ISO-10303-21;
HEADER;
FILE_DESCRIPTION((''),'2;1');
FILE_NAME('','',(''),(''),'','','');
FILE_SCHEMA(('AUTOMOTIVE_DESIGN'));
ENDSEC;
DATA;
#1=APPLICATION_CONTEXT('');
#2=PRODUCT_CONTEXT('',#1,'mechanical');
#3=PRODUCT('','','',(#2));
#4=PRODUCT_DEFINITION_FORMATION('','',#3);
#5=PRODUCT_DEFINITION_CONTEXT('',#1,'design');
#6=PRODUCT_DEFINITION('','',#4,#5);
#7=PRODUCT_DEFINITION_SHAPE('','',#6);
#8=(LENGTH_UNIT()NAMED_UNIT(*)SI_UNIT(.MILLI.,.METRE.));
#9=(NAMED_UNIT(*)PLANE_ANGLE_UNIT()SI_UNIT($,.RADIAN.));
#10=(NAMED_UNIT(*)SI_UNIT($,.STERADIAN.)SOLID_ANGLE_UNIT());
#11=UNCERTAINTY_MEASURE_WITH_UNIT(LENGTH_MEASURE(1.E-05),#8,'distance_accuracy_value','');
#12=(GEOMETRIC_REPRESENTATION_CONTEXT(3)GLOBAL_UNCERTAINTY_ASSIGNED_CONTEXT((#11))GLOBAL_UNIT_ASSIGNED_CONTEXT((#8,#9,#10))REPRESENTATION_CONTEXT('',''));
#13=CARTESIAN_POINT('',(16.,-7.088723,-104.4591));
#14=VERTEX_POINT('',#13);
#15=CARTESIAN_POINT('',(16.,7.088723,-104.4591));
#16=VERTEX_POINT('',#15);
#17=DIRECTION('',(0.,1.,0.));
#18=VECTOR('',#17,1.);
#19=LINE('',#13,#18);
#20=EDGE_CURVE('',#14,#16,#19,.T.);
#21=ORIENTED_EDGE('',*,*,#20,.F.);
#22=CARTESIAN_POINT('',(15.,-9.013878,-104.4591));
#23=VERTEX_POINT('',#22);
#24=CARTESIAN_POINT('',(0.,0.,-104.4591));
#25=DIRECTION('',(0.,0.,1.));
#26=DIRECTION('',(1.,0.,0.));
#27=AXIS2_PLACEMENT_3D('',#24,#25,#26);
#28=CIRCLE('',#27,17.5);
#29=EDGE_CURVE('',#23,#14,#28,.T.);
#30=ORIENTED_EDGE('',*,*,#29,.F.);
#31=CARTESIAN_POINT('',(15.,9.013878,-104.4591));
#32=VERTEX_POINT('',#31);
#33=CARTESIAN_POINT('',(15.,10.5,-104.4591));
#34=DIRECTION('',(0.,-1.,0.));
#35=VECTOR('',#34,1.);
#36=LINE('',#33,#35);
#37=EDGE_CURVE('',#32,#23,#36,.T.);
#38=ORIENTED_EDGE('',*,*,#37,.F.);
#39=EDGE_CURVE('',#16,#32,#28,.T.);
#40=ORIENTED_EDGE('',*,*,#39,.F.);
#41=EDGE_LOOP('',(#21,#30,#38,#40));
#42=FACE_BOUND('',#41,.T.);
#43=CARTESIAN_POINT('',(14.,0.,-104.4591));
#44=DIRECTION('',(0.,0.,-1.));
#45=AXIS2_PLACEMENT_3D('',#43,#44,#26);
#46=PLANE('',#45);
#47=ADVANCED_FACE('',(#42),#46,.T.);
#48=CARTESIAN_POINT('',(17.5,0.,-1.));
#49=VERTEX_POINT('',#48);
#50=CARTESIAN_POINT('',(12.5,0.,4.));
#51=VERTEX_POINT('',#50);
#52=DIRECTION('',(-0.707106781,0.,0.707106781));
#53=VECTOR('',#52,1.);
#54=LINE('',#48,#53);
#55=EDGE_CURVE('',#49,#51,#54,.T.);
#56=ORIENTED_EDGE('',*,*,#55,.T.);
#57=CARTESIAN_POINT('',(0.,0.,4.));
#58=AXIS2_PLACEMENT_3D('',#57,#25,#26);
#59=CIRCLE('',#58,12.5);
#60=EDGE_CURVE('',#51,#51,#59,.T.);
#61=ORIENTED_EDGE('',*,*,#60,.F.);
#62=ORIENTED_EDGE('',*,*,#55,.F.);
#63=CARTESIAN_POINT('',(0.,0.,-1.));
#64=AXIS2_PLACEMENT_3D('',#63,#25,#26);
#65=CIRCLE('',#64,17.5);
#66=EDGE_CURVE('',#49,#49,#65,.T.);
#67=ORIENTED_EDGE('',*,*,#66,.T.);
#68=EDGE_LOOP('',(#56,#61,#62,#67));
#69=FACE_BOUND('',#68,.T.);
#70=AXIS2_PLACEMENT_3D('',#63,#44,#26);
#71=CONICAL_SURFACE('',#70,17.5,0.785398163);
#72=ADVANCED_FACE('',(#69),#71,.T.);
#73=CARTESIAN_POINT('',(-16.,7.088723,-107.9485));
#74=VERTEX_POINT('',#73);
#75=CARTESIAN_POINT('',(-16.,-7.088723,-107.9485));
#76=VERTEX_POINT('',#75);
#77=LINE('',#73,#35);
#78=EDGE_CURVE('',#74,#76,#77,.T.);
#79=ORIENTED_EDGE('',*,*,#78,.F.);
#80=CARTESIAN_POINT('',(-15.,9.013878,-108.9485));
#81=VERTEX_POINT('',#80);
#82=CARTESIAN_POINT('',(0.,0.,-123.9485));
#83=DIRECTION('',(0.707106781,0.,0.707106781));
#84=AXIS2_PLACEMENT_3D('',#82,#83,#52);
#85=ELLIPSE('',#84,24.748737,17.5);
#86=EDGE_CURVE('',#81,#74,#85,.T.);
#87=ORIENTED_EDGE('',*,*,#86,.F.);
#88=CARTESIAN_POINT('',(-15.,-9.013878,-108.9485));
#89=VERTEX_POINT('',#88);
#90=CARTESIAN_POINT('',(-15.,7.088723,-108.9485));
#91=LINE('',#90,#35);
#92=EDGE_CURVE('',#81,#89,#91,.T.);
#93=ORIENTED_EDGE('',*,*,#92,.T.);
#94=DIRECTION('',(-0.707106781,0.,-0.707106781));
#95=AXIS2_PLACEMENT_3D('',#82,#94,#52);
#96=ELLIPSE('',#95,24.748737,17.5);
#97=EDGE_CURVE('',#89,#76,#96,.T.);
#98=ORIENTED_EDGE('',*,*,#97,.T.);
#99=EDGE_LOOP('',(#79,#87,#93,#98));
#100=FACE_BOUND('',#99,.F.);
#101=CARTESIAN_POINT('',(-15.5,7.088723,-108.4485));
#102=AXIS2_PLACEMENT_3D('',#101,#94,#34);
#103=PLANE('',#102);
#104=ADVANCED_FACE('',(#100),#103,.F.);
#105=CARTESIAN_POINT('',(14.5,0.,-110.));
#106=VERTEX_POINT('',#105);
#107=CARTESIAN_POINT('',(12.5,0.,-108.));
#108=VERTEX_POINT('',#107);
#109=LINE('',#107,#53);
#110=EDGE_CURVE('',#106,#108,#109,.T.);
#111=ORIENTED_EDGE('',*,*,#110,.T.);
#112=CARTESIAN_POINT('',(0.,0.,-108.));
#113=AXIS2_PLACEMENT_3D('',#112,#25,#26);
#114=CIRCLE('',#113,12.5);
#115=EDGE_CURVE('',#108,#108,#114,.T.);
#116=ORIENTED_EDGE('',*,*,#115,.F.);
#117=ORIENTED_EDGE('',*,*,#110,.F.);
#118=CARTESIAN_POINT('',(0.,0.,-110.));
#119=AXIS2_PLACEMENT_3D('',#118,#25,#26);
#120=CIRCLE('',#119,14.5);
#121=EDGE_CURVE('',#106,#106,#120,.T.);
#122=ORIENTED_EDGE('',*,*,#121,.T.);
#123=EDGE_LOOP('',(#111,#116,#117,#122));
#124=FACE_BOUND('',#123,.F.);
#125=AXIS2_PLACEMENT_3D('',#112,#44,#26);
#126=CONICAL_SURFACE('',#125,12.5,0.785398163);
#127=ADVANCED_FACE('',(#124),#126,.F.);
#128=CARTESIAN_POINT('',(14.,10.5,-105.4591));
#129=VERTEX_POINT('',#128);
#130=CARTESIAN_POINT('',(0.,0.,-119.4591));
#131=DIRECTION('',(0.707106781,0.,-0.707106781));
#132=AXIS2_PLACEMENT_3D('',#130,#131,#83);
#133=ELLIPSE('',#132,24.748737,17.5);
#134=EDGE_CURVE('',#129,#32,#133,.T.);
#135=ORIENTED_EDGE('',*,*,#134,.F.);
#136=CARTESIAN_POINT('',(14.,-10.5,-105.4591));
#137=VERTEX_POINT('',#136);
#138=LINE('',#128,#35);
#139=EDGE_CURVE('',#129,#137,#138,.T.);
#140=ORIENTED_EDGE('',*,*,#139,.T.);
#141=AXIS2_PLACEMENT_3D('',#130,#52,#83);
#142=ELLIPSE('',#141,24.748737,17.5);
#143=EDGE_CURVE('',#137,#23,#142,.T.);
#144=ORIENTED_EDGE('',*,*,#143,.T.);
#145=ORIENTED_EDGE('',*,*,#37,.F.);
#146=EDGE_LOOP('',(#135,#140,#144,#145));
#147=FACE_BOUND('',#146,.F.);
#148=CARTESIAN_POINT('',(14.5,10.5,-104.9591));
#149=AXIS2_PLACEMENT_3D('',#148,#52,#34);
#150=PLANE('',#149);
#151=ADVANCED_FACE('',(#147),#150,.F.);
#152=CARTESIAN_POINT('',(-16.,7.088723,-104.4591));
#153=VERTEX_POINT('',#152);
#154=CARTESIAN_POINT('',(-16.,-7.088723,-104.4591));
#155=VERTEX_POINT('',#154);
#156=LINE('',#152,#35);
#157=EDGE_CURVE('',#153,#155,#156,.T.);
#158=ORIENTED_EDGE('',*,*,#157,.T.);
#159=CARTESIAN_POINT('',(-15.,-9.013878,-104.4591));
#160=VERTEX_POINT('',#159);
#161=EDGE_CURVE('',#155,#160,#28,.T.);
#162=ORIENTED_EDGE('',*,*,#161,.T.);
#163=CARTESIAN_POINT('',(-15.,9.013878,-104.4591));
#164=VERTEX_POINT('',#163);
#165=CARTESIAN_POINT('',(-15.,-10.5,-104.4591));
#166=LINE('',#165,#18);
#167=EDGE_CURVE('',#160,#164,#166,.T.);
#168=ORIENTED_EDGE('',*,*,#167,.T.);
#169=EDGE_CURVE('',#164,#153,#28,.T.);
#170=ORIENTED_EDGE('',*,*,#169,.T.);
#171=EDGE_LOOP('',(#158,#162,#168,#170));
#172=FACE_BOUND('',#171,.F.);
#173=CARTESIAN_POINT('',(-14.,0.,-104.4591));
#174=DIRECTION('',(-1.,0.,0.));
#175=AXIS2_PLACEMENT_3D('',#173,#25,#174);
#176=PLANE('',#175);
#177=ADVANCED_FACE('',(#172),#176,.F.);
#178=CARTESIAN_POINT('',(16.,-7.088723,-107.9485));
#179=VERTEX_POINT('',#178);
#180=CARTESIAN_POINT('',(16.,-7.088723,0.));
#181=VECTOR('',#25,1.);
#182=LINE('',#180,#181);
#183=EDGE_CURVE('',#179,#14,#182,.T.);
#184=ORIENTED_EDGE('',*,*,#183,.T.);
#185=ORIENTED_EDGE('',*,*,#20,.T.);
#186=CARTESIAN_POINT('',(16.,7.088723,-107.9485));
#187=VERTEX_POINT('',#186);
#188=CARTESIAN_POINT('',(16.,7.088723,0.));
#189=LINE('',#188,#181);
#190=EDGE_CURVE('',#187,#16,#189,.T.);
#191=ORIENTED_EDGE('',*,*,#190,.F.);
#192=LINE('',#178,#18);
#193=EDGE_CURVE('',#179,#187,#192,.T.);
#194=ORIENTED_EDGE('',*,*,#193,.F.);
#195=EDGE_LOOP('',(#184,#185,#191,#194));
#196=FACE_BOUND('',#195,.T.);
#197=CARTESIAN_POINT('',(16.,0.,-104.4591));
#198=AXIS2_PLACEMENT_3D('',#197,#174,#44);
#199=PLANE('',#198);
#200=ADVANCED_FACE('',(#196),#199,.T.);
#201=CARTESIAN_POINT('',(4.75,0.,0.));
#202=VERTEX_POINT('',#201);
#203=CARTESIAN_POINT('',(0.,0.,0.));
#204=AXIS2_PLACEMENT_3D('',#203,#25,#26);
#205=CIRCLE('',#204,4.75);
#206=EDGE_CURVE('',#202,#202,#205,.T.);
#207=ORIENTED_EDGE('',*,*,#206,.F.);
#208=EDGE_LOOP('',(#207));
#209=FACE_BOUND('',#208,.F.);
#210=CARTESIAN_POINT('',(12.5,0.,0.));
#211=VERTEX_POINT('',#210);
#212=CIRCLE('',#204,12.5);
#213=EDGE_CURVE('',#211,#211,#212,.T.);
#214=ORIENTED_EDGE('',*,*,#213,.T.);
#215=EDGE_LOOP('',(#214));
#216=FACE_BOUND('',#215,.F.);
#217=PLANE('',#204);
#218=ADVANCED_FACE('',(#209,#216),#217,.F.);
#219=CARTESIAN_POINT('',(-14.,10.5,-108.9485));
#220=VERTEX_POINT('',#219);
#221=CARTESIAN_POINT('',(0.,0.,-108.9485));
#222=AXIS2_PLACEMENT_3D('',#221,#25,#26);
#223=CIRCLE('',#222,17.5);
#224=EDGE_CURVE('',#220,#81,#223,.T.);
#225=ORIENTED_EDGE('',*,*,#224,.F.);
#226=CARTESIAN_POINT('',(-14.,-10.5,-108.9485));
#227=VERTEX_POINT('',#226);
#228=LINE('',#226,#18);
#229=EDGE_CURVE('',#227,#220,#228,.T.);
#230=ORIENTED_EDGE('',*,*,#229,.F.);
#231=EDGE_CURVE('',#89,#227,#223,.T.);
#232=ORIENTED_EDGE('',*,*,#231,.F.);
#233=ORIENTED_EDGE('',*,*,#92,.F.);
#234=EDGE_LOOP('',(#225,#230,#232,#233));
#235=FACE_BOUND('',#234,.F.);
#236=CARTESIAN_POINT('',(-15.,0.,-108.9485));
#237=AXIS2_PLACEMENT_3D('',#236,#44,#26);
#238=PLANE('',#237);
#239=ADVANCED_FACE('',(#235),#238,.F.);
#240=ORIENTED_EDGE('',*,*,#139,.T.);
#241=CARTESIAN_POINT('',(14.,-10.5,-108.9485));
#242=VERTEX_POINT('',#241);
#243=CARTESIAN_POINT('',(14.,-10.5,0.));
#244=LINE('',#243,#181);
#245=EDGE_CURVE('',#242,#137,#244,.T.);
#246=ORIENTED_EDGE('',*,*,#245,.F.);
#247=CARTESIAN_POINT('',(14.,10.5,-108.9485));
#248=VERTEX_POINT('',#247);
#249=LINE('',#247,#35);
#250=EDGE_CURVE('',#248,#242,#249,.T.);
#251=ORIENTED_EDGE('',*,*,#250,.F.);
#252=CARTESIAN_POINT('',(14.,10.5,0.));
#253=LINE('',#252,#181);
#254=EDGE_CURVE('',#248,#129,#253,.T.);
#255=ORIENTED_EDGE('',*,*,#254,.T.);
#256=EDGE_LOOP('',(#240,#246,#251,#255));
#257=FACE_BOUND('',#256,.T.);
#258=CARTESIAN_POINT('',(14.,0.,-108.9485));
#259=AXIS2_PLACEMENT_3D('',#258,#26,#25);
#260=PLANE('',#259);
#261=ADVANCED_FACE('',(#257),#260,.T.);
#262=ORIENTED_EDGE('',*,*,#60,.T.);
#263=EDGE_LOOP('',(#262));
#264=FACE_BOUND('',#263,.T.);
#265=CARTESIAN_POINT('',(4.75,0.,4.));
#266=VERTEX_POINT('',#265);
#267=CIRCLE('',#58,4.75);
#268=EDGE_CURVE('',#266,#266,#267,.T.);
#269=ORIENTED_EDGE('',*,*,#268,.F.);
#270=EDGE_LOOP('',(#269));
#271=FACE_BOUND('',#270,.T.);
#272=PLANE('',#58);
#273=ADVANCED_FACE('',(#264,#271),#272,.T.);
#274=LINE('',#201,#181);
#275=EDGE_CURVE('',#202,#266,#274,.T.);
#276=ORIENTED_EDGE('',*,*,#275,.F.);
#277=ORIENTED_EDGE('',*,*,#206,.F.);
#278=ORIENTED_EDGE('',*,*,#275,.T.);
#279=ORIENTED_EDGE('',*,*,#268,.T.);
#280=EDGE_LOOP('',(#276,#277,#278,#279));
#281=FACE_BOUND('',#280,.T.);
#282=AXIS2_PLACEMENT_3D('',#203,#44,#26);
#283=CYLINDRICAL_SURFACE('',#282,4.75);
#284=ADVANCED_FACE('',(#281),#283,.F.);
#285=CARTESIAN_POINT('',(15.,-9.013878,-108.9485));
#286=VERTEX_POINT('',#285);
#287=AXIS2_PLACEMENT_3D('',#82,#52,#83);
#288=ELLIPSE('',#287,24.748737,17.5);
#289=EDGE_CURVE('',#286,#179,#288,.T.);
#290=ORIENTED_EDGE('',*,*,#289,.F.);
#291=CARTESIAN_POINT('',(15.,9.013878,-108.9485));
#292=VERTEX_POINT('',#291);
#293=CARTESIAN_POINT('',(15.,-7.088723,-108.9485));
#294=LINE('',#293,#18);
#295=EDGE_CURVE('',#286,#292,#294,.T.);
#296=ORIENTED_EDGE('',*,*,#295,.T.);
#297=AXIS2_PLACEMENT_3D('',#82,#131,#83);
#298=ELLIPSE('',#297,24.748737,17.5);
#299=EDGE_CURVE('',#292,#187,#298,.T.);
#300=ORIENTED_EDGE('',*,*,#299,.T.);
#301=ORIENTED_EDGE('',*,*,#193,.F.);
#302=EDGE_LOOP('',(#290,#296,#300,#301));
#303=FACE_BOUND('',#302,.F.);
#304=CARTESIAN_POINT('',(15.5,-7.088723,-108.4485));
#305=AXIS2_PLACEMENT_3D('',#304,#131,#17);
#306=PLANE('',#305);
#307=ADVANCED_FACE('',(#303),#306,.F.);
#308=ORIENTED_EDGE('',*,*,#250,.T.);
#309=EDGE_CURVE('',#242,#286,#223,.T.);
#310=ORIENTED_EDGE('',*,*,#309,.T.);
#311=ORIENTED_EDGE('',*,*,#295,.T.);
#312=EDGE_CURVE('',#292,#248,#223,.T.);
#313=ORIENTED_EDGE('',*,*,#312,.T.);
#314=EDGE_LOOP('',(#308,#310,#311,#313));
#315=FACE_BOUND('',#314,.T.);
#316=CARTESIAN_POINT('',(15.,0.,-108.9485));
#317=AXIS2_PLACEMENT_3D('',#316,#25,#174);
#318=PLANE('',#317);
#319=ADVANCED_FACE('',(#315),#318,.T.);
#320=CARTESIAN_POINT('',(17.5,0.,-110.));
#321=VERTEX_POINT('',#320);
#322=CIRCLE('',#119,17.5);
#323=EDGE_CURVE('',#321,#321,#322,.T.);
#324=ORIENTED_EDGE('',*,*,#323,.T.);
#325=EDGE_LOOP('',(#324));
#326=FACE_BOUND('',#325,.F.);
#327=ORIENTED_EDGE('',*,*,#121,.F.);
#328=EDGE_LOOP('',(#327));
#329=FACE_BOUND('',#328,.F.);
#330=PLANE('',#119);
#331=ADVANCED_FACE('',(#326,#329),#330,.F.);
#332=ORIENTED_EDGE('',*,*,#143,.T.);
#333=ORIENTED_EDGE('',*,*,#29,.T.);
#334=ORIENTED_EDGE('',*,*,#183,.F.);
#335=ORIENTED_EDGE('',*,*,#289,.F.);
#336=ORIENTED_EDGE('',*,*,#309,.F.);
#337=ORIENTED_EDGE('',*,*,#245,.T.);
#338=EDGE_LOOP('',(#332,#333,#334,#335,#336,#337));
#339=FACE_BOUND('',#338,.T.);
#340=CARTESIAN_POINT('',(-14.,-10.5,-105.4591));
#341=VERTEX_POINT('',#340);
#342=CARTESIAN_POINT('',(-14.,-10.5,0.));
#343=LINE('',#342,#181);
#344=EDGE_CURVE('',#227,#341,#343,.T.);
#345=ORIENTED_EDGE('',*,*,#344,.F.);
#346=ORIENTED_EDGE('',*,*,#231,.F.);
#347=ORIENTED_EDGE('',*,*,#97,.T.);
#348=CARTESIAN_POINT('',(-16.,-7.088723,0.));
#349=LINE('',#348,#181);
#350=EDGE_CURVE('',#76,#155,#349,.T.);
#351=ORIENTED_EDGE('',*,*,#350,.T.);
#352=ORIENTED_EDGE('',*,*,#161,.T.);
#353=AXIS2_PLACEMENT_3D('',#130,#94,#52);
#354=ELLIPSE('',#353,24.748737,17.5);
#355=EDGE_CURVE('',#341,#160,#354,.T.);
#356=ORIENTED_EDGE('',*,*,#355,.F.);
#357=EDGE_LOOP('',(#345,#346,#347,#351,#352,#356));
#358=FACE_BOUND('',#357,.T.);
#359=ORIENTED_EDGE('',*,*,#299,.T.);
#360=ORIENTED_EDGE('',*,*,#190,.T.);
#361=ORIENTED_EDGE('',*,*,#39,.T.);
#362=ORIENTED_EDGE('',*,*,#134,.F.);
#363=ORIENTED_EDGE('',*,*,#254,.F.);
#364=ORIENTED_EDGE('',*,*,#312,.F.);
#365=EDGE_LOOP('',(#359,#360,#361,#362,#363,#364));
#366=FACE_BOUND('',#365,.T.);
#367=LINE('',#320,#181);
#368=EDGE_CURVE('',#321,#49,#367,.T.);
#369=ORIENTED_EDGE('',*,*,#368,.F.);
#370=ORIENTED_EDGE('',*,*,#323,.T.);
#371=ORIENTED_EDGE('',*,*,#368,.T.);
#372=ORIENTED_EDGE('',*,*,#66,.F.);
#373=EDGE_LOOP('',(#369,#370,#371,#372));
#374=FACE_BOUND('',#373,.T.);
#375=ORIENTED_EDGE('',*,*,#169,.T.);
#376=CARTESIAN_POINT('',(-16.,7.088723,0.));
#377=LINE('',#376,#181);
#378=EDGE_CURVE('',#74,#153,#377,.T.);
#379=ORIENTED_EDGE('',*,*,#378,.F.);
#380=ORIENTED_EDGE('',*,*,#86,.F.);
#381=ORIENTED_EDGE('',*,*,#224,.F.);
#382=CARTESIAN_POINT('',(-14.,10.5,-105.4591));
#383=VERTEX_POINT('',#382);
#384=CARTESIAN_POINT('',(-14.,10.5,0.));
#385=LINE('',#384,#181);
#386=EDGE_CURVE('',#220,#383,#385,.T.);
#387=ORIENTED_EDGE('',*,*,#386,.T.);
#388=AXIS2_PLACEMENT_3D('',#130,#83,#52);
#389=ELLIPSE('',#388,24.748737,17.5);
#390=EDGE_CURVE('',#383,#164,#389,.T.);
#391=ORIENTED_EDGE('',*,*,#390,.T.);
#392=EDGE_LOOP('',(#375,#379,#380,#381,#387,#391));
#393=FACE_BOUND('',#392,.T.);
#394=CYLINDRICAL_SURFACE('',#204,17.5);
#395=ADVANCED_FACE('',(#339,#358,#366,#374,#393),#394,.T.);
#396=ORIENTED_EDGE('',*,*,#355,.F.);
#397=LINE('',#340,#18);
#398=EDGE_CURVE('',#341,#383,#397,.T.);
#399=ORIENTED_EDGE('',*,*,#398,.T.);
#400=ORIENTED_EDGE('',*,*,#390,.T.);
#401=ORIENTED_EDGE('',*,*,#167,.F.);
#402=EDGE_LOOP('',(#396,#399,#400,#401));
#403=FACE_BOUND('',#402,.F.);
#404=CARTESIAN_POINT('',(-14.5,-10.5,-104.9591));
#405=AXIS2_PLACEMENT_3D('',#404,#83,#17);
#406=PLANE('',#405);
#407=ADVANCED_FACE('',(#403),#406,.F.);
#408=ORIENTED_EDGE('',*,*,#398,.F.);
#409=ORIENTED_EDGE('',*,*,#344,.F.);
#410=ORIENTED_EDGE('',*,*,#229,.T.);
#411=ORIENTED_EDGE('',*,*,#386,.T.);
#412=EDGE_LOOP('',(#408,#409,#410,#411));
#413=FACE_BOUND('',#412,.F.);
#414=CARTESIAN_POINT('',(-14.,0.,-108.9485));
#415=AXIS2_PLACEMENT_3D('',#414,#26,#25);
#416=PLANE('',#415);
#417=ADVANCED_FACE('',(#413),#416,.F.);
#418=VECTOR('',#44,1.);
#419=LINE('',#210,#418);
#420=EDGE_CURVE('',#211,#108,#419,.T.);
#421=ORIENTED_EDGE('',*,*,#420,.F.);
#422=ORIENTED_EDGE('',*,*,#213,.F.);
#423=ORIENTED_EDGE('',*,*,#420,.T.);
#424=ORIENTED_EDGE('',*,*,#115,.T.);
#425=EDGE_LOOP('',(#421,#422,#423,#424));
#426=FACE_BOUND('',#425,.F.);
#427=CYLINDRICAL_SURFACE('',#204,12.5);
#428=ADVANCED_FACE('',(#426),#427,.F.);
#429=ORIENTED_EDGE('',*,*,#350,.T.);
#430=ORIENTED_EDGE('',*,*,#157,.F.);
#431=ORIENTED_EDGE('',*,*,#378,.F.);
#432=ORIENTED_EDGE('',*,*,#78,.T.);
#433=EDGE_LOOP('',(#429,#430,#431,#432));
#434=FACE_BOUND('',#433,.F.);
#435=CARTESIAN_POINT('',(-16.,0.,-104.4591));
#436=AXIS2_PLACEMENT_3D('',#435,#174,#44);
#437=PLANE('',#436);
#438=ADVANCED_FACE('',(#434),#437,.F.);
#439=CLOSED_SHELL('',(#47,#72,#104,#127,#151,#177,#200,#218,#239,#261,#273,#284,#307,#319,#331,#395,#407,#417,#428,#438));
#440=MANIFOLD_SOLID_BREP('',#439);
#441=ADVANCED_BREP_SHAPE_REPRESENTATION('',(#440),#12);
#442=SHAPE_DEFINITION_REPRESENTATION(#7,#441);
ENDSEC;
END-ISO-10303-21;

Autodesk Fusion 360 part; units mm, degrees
sketch "Sketch1" plane through (0, 0, 0) normal (0, 0, 1) x (1, 0, 0)
  circle A0 centre (0, 0) radius 17.5
  circle A1 centre (0, 0) radius 12.5
  circle A2 centre (0, 0) radius 4.75
  dimension "d1" = 25
  dimension "d2" = 35
  dimension "d3" = 9.5
extrude "Extrude1" add sketch "Sketch1" along normal blind 4 contours A0 | A1
extrude "Extrude2" add sketch "Sketch1" against normal blind 110 contours A0
chamfer "Chamfer1" distance 5 angle 45 1 edges at (-16.3157, -6.3283, 4)
chamfer "Chamfer2" distance 2 angle 45 1 edges at (-11.6541, -4.5202, -110)
sketch "Sketch2" plane through (0, 0, 0) normal (0, 1, 0) x (1, 0, 0)
  line L0 (0, 108.9485) -> (-12.5, 108.9485)
  line L1 (0, 108.9485) -> (12.5, 108.9485)
  line L2 (-16, 108.9485) -> (-14, 108.9485)
  line L3 (-14, 108.9485) -> (-14, 104.4591)
  line L4 (-14, 104.4591) -> (-16, 104.4591)
  line L5 (-16, 104.4591) -> (-16, 108.9485)
  line L6 (14, 104.4591) -> (16, 104.4591)
  line L7 (16, 104.4591) -> (16, 108.9485)
  line L8 (16, 108.9485) -> (14, 108.9485)
  line L9 (14, 108.9485) -> (14, 104.4591)
  line L10 (-15, 118.4485) -> (-15, 99.4485)
  line L11 (15, 119.4485) -> (15, 98.4485)
  line L12 (-12.5, 108.9485) -> (-17.5, 108.9485)
  line L13 (12.5, 108.9485) -> (17.5, 108.9485)
  dimension "d10" = 12.5
  dimension "d11" = 12.5
  dimension "d12" = 2
  dimension "d13" = 2
  dimension "d14" = 5
  dimension "d15" = 5
extrude "Extrude3" cut sketch "Sketch2" along normal blind 100
extrude "Extrude4" cut 2 faces at (14.6667, 0, -107.452) (-15.3333, 0, -107.452) along direction (0, -1, 0) blind 100
chamfer "Chamfer3" distance 1 angle 45 4 edges at (14, 0, -104.4591) (-14, 0, -104.4591) (16, 0, -108.9485) (-16, 0, -108.9485)
equation "d10 = ( 25 / 2 ) * 1 mm"
